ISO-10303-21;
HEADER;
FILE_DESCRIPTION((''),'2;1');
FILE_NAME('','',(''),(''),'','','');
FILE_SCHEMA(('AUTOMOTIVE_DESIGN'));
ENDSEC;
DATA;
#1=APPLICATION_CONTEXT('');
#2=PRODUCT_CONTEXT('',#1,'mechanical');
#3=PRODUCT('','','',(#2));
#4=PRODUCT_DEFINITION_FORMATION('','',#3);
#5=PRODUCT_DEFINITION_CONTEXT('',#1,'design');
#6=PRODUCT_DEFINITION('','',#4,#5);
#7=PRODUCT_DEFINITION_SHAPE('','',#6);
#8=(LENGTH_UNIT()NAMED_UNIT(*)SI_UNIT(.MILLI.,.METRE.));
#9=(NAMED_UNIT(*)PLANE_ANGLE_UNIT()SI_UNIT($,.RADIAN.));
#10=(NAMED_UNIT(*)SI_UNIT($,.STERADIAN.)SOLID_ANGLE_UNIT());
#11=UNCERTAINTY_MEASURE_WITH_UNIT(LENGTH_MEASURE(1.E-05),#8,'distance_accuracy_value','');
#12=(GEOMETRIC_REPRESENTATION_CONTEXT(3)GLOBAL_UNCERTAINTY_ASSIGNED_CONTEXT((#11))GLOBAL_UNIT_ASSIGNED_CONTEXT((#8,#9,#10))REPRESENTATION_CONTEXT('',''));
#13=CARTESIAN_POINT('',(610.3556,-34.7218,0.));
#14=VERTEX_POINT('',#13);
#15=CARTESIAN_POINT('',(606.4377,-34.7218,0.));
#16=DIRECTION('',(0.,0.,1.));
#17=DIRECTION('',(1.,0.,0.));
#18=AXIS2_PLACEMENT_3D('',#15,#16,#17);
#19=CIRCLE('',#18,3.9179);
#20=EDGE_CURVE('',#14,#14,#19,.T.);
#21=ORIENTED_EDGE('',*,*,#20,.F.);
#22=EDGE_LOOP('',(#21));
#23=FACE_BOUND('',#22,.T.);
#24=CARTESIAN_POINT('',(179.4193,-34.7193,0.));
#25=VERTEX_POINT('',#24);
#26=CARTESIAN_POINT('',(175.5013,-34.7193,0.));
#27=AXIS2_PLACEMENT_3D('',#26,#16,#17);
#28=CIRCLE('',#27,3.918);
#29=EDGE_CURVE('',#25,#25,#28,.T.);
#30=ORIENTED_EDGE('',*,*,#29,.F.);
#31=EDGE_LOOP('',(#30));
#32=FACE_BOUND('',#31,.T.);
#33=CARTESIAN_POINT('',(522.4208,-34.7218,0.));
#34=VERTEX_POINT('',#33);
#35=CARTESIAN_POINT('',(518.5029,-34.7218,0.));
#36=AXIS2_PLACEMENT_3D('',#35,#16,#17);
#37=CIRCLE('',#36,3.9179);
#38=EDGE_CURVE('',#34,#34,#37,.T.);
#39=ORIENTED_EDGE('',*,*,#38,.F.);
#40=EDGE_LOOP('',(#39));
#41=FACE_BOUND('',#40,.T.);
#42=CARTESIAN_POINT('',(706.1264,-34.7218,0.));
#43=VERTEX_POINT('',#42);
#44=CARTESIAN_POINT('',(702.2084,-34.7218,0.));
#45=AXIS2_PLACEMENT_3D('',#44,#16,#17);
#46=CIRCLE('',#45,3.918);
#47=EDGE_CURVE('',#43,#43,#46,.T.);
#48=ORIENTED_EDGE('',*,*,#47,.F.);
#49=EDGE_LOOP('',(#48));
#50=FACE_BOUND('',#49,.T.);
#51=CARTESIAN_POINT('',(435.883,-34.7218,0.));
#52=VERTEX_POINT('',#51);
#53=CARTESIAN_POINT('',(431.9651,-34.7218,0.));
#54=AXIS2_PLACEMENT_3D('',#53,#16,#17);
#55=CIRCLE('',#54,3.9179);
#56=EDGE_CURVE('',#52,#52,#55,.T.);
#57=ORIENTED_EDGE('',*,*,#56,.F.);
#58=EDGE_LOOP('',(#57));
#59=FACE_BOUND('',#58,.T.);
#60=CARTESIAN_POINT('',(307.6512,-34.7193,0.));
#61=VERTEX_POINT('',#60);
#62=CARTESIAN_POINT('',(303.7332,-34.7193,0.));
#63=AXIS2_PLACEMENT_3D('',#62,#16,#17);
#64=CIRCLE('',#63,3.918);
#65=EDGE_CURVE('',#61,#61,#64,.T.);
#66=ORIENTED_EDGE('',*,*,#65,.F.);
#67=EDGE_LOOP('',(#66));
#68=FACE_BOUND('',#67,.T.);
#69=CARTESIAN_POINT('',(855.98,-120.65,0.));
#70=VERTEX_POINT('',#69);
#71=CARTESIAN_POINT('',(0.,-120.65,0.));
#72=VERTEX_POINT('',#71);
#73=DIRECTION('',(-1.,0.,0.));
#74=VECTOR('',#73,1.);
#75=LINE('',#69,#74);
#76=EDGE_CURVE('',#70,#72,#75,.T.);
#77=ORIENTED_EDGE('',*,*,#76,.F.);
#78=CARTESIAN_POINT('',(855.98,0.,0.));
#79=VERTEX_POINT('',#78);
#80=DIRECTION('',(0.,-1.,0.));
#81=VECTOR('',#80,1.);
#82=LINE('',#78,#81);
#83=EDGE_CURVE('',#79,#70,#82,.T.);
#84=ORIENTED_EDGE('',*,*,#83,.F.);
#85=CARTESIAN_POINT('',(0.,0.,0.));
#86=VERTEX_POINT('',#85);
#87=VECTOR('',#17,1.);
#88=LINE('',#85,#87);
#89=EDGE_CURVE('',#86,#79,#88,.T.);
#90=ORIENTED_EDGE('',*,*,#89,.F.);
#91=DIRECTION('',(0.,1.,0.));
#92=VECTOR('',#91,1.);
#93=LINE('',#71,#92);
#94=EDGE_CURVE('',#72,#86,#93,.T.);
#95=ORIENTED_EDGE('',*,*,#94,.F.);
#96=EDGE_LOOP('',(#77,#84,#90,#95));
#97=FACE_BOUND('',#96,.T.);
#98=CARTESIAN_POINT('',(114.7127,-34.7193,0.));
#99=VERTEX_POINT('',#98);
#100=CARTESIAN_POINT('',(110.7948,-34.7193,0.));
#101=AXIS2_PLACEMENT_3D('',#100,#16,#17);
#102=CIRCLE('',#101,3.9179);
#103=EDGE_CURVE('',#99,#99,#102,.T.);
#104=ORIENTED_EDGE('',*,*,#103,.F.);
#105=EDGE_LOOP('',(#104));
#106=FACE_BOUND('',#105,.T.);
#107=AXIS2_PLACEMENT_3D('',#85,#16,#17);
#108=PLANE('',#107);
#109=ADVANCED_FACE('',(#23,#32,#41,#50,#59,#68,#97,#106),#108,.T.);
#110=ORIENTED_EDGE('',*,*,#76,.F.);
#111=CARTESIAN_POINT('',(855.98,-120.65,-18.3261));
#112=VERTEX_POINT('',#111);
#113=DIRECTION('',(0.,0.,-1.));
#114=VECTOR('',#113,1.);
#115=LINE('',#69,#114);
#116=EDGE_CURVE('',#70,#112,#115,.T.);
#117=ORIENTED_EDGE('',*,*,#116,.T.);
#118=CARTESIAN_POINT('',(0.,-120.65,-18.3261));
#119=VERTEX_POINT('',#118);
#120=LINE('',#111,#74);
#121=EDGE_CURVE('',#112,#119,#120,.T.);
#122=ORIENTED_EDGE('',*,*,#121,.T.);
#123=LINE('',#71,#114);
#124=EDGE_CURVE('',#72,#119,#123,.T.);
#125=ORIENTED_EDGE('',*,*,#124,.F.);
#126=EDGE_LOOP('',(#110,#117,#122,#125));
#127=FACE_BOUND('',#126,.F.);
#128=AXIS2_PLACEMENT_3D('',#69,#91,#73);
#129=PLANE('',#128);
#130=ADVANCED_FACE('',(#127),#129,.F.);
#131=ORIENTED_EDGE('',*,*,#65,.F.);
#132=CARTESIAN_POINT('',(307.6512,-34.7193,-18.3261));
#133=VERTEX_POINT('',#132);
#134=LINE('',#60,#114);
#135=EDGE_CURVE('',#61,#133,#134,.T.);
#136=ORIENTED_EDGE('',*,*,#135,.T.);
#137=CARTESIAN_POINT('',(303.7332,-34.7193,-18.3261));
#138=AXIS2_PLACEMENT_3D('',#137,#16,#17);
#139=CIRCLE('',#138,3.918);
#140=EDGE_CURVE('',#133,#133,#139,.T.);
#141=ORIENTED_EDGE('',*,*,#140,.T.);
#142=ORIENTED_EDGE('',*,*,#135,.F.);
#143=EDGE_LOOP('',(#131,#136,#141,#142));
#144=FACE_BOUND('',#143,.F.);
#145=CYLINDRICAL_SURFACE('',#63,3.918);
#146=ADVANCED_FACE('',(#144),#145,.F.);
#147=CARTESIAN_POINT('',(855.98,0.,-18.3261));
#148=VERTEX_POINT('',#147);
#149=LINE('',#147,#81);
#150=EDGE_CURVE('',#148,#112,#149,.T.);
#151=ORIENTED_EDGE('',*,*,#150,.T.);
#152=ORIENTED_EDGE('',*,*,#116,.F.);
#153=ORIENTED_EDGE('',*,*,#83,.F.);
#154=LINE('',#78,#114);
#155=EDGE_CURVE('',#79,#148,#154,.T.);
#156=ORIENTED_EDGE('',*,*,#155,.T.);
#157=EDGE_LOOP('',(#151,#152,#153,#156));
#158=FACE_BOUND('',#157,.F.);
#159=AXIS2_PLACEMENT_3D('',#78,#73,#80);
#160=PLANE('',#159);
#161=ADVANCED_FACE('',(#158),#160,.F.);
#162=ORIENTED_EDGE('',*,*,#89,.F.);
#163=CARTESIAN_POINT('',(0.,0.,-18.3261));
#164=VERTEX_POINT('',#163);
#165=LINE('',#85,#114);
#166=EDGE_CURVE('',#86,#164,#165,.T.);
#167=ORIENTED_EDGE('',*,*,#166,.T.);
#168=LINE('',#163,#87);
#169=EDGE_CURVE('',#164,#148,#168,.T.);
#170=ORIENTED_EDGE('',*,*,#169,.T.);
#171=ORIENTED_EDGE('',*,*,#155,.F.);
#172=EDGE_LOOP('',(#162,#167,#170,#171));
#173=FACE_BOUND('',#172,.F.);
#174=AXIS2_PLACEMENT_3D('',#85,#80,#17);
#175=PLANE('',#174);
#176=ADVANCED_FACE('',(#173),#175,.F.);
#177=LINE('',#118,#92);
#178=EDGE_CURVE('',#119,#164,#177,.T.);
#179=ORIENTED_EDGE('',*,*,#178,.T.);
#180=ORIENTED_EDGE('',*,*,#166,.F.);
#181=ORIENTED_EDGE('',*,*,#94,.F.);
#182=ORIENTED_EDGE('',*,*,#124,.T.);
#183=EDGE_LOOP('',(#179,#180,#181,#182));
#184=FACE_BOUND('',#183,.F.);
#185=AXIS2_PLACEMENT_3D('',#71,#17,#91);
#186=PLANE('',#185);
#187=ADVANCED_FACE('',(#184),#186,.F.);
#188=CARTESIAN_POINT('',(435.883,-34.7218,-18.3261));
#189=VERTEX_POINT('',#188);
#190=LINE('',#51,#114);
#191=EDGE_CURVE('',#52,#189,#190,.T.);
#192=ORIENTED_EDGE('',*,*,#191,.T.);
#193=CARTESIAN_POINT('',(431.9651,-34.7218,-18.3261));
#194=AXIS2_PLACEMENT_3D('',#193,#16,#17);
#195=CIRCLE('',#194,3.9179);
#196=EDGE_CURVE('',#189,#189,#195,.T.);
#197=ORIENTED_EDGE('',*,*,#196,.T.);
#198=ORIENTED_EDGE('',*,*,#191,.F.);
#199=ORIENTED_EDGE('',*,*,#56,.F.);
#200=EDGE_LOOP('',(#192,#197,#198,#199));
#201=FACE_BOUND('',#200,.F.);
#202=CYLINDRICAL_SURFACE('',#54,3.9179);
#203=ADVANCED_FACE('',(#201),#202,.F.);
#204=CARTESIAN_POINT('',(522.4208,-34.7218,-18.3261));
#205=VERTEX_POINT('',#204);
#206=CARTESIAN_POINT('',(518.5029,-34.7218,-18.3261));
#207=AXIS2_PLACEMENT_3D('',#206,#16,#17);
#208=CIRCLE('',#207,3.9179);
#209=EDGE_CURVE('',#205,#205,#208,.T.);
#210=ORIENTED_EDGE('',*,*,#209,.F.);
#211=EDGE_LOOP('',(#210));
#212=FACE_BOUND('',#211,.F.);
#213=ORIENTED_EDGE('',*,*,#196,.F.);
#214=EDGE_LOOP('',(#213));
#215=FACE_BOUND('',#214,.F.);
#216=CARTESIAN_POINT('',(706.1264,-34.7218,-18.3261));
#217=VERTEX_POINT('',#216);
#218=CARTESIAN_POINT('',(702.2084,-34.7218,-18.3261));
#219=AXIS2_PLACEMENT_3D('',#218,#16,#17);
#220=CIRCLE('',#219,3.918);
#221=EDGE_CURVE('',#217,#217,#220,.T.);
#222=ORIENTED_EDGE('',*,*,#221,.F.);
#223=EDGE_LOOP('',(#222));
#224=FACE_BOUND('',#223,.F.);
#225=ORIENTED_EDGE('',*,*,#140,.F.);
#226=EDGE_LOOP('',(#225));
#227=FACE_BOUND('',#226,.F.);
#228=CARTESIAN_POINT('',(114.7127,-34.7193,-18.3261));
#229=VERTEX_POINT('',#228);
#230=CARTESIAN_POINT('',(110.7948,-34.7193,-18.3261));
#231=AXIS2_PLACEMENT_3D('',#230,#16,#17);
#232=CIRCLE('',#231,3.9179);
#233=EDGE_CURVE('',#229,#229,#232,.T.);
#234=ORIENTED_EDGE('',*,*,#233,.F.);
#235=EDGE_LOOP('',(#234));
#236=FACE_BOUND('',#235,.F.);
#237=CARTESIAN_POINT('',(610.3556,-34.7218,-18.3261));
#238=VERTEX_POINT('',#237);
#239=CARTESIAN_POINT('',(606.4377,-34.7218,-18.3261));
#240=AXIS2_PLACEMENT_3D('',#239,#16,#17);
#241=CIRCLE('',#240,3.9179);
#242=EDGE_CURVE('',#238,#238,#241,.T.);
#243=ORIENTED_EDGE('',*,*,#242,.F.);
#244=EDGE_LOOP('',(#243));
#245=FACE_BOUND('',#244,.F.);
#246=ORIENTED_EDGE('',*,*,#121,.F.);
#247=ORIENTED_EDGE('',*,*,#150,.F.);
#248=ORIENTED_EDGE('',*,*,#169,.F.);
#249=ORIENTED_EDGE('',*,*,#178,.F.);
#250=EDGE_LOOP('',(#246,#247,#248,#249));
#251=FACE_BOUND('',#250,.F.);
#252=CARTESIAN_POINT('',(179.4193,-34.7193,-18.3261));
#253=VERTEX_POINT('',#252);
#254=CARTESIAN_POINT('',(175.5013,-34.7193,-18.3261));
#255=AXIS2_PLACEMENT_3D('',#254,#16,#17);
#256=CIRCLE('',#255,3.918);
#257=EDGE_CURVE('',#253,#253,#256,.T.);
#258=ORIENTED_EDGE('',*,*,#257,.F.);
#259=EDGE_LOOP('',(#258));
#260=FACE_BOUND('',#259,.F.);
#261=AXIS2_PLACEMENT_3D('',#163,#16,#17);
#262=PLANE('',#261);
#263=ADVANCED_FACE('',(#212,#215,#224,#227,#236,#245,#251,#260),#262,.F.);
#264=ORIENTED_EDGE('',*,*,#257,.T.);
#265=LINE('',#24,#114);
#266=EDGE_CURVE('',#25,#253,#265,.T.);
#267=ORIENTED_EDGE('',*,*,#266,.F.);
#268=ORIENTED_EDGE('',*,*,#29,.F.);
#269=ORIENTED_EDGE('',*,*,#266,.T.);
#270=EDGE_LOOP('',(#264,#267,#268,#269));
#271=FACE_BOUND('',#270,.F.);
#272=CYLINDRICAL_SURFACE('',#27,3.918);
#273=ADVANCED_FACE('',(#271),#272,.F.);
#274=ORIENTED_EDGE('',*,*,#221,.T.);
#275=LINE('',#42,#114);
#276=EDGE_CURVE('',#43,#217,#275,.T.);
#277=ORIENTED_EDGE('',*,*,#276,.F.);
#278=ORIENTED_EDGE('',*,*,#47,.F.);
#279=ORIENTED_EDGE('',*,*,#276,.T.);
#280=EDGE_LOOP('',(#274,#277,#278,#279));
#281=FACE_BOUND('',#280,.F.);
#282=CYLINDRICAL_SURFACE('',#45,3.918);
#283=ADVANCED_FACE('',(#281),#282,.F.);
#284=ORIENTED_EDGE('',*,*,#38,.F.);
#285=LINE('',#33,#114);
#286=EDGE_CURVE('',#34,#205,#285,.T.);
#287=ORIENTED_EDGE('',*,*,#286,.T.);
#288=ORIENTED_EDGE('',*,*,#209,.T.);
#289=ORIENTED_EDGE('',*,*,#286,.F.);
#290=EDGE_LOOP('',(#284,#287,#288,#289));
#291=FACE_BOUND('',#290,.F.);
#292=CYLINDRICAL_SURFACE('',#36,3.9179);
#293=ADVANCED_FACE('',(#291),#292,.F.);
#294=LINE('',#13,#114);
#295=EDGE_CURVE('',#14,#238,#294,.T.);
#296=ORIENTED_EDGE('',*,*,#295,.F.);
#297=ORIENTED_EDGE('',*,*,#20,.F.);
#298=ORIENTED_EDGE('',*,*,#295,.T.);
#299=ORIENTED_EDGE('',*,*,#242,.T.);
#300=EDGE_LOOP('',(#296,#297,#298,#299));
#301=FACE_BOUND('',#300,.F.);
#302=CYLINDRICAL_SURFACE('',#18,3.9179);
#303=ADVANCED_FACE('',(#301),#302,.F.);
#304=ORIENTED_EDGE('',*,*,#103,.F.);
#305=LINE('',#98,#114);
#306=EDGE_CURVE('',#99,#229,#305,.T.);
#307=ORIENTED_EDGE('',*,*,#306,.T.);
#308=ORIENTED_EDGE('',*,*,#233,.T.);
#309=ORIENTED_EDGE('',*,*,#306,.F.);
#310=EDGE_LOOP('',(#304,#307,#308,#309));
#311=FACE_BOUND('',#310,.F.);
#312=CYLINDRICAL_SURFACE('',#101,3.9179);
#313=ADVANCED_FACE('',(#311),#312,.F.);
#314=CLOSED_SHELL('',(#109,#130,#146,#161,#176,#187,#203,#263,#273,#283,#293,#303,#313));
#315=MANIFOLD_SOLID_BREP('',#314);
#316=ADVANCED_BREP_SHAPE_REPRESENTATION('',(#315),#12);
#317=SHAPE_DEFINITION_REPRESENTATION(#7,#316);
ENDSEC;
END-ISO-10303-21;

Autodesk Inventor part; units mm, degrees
ref_plane "YZ Plane" through (0, 0, 0) normal (1, 0, 0) x (0, 1, 0)
ref_plane "XZ Plane" through (0, 0, 0) normal (0, 1, 0) x (-1, 0, 0)
ref_plane "XY Plane" through (0, 0, 0) normal (0, 0, 1) x (1, 0, 0)
sketch "Sketch1" plane through (0, 0, 0) normal (0, 0, 1) x (1, 0, 0)
  point P0 (0, 0)
sketch "Sketch2" plane through (0, 0, 0) normal (0, 0, 1) x (1, 0, 0)
  line L0 (0, 0) -> (855.98, 0)
  line L1 (855.98, 0) -> (855.98, -120.65)
  line L2 (855.98, -120.65) -> (0, -120.65)
  line L3 (0, -120.65) -> (0, 0)
  dimension "d0" = 855.98
  dimension "d1" = 120.65
extrude "Extrusion1" add sketch "Sketch2" against normal blind 18.3261
sketch "Sketch3" plane through (0, 0, 0) normal (0, 0, 1) x (1, 0, 0)
  circle A0 centre (702.2084, -34.7218) radius 3.918
  line L0 (855.98, 0) -> (855.98, -120.65)
  line L1 (855.98, -120.65) -> (0, -120.65)
  circle A1 centre (606.4377, -34.7218) radius 3.9179
  circle A2 centre (518.5029, -34.7218) radius 3.9179
  circle A3 centre (431.9651, -34.7218) radius 3.9179
  circle A4 centre (303.7332, -34.7193) radius 3.918
  circle A5 centre (175.5013, -34.7193) radius 3.918
  circle A6 centre (110.7948, -34.7193) radius 3.9179
  point P0 (0, 0)
  dimension "d4" = 153.7716
  dimension "d5" = 7.8359
  dimension "d6" = 85.9282
  dimension "d7" = 7.8359
  dimension "d8" = 87.9348
  dimension "d9" = 7.8359
  dimension "d10" = 87.9348
  dimension "d11" = 7.8359
  dimension "d12" = 86.5378
  dimension "d13" = 128.2319
  dimension "d14" = 7.8359
  dimension "d15" = 128.2319
  dimension "d16" = 7.8359
  dimension "d18" = 85.9307
  dimension "d19" = 85.9307
  dimension "d20" = 85.9307
  dimension "d21" = 85.9282
  dimension "d22" = 85.9282
  dimension "d23" = 85.9282
extrude "Extrusion2" cut sketch "Sketch3" against normal blind 304.8
properties part number "Bumper Middle"
